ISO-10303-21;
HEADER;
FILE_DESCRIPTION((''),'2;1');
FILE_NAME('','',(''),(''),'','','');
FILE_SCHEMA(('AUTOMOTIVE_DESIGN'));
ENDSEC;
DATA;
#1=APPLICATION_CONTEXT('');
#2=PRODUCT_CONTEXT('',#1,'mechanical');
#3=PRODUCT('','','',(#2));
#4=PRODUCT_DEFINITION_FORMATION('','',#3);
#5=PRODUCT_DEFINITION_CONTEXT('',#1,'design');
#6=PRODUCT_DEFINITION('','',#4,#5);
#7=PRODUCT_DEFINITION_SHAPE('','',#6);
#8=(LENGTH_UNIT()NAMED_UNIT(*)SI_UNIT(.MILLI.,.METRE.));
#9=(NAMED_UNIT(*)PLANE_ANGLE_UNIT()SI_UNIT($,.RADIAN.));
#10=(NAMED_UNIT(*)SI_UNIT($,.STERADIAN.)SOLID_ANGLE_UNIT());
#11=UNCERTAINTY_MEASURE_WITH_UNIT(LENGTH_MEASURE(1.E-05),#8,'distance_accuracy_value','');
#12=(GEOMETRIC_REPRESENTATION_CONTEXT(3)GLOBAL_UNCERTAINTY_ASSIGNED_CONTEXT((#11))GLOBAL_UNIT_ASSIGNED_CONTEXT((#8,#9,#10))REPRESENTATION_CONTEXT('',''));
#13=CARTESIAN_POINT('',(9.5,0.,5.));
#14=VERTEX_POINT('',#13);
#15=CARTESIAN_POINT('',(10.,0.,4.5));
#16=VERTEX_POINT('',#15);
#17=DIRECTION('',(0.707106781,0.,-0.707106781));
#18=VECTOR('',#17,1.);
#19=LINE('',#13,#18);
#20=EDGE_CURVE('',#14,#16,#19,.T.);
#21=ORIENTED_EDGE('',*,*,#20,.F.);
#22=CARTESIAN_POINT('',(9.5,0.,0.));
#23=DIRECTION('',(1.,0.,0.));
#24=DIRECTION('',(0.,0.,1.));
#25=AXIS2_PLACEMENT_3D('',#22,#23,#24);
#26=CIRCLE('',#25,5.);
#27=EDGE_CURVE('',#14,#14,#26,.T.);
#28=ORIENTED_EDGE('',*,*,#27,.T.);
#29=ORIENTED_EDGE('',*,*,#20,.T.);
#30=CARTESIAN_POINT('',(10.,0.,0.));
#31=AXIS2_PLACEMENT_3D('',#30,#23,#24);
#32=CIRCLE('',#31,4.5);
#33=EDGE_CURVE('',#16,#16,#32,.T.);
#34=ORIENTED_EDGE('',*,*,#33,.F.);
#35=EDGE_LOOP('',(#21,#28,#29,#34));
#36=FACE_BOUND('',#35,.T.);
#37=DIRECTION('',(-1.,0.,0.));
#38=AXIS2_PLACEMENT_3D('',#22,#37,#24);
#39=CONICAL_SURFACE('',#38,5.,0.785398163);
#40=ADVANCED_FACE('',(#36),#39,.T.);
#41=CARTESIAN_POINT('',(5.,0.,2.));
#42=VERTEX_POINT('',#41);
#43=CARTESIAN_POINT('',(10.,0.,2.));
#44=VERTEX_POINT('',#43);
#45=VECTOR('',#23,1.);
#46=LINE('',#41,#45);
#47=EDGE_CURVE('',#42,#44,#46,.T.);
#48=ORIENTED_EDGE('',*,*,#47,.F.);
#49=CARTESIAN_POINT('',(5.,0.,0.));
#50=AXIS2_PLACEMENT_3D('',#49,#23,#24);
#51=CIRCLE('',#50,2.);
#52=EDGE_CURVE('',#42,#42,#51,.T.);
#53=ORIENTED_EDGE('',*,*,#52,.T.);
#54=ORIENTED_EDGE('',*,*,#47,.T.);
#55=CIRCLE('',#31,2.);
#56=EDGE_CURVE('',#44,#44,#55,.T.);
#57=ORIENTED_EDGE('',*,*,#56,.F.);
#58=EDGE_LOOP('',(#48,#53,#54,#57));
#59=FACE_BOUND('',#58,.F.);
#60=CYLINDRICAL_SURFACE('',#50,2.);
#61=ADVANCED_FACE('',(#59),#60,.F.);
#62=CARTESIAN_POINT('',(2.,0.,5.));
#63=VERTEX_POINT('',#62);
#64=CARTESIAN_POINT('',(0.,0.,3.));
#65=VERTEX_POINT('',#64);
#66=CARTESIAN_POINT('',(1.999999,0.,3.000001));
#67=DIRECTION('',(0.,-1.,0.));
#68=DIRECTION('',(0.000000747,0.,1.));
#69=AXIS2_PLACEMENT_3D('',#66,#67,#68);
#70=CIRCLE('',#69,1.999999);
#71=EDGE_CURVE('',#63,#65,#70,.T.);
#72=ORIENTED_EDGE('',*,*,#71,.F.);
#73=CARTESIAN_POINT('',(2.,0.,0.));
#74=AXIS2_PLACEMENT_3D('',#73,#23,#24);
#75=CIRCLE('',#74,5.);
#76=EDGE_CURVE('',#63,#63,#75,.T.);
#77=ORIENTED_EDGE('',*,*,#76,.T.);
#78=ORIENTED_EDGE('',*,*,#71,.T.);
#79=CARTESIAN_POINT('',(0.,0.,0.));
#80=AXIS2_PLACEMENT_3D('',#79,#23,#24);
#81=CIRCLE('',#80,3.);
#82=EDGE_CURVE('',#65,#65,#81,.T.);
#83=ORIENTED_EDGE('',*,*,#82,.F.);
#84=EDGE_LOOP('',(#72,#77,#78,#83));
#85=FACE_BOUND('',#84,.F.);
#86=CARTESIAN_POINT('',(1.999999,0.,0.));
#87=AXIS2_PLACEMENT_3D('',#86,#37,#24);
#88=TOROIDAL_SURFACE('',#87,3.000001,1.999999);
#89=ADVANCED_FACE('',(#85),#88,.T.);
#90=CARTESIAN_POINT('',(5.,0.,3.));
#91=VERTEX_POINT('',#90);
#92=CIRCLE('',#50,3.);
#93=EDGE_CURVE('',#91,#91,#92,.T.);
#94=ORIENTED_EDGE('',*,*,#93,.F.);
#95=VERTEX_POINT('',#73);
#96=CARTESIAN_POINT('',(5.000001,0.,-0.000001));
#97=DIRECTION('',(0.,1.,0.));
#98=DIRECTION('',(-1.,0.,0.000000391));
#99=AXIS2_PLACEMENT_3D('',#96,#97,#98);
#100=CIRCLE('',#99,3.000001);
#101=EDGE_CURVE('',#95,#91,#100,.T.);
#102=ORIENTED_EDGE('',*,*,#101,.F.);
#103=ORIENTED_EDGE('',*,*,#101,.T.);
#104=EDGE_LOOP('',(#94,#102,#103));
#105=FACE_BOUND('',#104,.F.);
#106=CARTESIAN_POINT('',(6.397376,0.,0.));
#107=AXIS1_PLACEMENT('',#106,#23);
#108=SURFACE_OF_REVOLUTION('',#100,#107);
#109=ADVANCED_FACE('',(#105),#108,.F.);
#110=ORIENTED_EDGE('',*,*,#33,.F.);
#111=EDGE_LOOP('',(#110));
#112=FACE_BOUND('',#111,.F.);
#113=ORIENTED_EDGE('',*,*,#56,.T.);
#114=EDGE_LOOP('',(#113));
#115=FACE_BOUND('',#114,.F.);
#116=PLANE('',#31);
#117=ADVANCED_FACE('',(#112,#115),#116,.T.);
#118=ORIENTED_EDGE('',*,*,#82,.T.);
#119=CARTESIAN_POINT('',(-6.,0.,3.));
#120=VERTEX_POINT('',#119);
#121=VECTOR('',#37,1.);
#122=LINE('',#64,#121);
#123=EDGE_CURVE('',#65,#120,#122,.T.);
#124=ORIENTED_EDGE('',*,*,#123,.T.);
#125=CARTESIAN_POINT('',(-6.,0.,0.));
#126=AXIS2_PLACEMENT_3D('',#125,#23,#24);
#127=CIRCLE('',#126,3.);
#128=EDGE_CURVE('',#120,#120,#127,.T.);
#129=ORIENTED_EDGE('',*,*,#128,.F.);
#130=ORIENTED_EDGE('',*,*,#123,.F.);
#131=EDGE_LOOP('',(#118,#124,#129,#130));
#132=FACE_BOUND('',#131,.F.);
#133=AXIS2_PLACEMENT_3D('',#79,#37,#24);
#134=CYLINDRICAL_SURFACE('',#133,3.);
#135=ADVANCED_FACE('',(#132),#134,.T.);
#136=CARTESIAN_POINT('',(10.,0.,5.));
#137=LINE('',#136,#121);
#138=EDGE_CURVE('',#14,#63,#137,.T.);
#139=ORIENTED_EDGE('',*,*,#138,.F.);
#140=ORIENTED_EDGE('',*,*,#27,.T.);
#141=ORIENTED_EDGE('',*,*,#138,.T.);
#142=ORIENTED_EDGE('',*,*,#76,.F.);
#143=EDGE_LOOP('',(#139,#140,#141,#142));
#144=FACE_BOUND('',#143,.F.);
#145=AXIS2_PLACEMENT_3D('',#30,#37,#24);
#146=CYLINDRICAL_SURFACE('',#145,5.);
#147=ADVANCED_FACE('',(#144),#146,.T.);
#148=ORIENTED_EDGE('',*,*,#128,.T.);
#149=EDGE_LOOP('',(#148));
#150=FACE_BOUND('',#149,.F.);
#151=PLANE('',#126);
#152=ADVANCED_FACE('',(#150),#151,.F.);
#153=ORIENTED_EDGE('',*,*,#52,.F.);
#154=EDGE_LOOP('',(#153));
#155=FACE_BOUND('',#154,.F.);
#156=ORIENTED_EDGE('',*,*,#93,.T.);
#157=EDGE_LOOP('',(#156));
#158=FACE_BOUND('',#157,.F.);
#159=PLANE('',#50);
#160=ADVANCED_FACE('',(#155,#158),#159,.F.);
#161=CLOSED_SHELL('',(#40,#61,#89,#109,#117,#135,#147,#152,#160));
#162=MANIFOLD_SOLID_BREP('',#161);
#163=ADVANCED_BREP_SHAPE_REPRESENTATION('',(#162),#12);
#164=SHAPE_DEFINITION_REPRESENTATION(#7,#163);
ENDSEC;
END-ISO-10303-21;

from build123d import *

# Parameters (mm, degrees)
F2_SIZE = 0.5


with BuildPart() as f1:
    # F0 (on Front) → F1 (revolve)
    with BuildSketch(Plane.XZ):
        with BuildLine():
            Line((10, 5), (2, 5))
            ThreePointArc((2, 5), (0.585786, 4.414214), (0, 3))
            Line((0, 3), (-6, 3))
            Line((-6, 3), (-6, 0))
            Line((-6, 0), (0, 0))
            Line((0, 0), (2, 0))
            ThreePointArc((2, 0), (2.87868, 2.12132), (5, 3))
            Line((5, 3), (5, 2))
            Line((5, 2), (10, 2))
            Line((10, 2), (10, 5))
        make_face()
    revolve(axis=Axis((6.397376, 0, 0), (1, 0, 0)))

    # F2
    f2_edges = [f1.edges().sort_by_distance(p)[0] for p in [
        (10, 0, -5),
    ]]
    chamfer(f2_edges, length=F2_SIZE)


solid = f1.part
